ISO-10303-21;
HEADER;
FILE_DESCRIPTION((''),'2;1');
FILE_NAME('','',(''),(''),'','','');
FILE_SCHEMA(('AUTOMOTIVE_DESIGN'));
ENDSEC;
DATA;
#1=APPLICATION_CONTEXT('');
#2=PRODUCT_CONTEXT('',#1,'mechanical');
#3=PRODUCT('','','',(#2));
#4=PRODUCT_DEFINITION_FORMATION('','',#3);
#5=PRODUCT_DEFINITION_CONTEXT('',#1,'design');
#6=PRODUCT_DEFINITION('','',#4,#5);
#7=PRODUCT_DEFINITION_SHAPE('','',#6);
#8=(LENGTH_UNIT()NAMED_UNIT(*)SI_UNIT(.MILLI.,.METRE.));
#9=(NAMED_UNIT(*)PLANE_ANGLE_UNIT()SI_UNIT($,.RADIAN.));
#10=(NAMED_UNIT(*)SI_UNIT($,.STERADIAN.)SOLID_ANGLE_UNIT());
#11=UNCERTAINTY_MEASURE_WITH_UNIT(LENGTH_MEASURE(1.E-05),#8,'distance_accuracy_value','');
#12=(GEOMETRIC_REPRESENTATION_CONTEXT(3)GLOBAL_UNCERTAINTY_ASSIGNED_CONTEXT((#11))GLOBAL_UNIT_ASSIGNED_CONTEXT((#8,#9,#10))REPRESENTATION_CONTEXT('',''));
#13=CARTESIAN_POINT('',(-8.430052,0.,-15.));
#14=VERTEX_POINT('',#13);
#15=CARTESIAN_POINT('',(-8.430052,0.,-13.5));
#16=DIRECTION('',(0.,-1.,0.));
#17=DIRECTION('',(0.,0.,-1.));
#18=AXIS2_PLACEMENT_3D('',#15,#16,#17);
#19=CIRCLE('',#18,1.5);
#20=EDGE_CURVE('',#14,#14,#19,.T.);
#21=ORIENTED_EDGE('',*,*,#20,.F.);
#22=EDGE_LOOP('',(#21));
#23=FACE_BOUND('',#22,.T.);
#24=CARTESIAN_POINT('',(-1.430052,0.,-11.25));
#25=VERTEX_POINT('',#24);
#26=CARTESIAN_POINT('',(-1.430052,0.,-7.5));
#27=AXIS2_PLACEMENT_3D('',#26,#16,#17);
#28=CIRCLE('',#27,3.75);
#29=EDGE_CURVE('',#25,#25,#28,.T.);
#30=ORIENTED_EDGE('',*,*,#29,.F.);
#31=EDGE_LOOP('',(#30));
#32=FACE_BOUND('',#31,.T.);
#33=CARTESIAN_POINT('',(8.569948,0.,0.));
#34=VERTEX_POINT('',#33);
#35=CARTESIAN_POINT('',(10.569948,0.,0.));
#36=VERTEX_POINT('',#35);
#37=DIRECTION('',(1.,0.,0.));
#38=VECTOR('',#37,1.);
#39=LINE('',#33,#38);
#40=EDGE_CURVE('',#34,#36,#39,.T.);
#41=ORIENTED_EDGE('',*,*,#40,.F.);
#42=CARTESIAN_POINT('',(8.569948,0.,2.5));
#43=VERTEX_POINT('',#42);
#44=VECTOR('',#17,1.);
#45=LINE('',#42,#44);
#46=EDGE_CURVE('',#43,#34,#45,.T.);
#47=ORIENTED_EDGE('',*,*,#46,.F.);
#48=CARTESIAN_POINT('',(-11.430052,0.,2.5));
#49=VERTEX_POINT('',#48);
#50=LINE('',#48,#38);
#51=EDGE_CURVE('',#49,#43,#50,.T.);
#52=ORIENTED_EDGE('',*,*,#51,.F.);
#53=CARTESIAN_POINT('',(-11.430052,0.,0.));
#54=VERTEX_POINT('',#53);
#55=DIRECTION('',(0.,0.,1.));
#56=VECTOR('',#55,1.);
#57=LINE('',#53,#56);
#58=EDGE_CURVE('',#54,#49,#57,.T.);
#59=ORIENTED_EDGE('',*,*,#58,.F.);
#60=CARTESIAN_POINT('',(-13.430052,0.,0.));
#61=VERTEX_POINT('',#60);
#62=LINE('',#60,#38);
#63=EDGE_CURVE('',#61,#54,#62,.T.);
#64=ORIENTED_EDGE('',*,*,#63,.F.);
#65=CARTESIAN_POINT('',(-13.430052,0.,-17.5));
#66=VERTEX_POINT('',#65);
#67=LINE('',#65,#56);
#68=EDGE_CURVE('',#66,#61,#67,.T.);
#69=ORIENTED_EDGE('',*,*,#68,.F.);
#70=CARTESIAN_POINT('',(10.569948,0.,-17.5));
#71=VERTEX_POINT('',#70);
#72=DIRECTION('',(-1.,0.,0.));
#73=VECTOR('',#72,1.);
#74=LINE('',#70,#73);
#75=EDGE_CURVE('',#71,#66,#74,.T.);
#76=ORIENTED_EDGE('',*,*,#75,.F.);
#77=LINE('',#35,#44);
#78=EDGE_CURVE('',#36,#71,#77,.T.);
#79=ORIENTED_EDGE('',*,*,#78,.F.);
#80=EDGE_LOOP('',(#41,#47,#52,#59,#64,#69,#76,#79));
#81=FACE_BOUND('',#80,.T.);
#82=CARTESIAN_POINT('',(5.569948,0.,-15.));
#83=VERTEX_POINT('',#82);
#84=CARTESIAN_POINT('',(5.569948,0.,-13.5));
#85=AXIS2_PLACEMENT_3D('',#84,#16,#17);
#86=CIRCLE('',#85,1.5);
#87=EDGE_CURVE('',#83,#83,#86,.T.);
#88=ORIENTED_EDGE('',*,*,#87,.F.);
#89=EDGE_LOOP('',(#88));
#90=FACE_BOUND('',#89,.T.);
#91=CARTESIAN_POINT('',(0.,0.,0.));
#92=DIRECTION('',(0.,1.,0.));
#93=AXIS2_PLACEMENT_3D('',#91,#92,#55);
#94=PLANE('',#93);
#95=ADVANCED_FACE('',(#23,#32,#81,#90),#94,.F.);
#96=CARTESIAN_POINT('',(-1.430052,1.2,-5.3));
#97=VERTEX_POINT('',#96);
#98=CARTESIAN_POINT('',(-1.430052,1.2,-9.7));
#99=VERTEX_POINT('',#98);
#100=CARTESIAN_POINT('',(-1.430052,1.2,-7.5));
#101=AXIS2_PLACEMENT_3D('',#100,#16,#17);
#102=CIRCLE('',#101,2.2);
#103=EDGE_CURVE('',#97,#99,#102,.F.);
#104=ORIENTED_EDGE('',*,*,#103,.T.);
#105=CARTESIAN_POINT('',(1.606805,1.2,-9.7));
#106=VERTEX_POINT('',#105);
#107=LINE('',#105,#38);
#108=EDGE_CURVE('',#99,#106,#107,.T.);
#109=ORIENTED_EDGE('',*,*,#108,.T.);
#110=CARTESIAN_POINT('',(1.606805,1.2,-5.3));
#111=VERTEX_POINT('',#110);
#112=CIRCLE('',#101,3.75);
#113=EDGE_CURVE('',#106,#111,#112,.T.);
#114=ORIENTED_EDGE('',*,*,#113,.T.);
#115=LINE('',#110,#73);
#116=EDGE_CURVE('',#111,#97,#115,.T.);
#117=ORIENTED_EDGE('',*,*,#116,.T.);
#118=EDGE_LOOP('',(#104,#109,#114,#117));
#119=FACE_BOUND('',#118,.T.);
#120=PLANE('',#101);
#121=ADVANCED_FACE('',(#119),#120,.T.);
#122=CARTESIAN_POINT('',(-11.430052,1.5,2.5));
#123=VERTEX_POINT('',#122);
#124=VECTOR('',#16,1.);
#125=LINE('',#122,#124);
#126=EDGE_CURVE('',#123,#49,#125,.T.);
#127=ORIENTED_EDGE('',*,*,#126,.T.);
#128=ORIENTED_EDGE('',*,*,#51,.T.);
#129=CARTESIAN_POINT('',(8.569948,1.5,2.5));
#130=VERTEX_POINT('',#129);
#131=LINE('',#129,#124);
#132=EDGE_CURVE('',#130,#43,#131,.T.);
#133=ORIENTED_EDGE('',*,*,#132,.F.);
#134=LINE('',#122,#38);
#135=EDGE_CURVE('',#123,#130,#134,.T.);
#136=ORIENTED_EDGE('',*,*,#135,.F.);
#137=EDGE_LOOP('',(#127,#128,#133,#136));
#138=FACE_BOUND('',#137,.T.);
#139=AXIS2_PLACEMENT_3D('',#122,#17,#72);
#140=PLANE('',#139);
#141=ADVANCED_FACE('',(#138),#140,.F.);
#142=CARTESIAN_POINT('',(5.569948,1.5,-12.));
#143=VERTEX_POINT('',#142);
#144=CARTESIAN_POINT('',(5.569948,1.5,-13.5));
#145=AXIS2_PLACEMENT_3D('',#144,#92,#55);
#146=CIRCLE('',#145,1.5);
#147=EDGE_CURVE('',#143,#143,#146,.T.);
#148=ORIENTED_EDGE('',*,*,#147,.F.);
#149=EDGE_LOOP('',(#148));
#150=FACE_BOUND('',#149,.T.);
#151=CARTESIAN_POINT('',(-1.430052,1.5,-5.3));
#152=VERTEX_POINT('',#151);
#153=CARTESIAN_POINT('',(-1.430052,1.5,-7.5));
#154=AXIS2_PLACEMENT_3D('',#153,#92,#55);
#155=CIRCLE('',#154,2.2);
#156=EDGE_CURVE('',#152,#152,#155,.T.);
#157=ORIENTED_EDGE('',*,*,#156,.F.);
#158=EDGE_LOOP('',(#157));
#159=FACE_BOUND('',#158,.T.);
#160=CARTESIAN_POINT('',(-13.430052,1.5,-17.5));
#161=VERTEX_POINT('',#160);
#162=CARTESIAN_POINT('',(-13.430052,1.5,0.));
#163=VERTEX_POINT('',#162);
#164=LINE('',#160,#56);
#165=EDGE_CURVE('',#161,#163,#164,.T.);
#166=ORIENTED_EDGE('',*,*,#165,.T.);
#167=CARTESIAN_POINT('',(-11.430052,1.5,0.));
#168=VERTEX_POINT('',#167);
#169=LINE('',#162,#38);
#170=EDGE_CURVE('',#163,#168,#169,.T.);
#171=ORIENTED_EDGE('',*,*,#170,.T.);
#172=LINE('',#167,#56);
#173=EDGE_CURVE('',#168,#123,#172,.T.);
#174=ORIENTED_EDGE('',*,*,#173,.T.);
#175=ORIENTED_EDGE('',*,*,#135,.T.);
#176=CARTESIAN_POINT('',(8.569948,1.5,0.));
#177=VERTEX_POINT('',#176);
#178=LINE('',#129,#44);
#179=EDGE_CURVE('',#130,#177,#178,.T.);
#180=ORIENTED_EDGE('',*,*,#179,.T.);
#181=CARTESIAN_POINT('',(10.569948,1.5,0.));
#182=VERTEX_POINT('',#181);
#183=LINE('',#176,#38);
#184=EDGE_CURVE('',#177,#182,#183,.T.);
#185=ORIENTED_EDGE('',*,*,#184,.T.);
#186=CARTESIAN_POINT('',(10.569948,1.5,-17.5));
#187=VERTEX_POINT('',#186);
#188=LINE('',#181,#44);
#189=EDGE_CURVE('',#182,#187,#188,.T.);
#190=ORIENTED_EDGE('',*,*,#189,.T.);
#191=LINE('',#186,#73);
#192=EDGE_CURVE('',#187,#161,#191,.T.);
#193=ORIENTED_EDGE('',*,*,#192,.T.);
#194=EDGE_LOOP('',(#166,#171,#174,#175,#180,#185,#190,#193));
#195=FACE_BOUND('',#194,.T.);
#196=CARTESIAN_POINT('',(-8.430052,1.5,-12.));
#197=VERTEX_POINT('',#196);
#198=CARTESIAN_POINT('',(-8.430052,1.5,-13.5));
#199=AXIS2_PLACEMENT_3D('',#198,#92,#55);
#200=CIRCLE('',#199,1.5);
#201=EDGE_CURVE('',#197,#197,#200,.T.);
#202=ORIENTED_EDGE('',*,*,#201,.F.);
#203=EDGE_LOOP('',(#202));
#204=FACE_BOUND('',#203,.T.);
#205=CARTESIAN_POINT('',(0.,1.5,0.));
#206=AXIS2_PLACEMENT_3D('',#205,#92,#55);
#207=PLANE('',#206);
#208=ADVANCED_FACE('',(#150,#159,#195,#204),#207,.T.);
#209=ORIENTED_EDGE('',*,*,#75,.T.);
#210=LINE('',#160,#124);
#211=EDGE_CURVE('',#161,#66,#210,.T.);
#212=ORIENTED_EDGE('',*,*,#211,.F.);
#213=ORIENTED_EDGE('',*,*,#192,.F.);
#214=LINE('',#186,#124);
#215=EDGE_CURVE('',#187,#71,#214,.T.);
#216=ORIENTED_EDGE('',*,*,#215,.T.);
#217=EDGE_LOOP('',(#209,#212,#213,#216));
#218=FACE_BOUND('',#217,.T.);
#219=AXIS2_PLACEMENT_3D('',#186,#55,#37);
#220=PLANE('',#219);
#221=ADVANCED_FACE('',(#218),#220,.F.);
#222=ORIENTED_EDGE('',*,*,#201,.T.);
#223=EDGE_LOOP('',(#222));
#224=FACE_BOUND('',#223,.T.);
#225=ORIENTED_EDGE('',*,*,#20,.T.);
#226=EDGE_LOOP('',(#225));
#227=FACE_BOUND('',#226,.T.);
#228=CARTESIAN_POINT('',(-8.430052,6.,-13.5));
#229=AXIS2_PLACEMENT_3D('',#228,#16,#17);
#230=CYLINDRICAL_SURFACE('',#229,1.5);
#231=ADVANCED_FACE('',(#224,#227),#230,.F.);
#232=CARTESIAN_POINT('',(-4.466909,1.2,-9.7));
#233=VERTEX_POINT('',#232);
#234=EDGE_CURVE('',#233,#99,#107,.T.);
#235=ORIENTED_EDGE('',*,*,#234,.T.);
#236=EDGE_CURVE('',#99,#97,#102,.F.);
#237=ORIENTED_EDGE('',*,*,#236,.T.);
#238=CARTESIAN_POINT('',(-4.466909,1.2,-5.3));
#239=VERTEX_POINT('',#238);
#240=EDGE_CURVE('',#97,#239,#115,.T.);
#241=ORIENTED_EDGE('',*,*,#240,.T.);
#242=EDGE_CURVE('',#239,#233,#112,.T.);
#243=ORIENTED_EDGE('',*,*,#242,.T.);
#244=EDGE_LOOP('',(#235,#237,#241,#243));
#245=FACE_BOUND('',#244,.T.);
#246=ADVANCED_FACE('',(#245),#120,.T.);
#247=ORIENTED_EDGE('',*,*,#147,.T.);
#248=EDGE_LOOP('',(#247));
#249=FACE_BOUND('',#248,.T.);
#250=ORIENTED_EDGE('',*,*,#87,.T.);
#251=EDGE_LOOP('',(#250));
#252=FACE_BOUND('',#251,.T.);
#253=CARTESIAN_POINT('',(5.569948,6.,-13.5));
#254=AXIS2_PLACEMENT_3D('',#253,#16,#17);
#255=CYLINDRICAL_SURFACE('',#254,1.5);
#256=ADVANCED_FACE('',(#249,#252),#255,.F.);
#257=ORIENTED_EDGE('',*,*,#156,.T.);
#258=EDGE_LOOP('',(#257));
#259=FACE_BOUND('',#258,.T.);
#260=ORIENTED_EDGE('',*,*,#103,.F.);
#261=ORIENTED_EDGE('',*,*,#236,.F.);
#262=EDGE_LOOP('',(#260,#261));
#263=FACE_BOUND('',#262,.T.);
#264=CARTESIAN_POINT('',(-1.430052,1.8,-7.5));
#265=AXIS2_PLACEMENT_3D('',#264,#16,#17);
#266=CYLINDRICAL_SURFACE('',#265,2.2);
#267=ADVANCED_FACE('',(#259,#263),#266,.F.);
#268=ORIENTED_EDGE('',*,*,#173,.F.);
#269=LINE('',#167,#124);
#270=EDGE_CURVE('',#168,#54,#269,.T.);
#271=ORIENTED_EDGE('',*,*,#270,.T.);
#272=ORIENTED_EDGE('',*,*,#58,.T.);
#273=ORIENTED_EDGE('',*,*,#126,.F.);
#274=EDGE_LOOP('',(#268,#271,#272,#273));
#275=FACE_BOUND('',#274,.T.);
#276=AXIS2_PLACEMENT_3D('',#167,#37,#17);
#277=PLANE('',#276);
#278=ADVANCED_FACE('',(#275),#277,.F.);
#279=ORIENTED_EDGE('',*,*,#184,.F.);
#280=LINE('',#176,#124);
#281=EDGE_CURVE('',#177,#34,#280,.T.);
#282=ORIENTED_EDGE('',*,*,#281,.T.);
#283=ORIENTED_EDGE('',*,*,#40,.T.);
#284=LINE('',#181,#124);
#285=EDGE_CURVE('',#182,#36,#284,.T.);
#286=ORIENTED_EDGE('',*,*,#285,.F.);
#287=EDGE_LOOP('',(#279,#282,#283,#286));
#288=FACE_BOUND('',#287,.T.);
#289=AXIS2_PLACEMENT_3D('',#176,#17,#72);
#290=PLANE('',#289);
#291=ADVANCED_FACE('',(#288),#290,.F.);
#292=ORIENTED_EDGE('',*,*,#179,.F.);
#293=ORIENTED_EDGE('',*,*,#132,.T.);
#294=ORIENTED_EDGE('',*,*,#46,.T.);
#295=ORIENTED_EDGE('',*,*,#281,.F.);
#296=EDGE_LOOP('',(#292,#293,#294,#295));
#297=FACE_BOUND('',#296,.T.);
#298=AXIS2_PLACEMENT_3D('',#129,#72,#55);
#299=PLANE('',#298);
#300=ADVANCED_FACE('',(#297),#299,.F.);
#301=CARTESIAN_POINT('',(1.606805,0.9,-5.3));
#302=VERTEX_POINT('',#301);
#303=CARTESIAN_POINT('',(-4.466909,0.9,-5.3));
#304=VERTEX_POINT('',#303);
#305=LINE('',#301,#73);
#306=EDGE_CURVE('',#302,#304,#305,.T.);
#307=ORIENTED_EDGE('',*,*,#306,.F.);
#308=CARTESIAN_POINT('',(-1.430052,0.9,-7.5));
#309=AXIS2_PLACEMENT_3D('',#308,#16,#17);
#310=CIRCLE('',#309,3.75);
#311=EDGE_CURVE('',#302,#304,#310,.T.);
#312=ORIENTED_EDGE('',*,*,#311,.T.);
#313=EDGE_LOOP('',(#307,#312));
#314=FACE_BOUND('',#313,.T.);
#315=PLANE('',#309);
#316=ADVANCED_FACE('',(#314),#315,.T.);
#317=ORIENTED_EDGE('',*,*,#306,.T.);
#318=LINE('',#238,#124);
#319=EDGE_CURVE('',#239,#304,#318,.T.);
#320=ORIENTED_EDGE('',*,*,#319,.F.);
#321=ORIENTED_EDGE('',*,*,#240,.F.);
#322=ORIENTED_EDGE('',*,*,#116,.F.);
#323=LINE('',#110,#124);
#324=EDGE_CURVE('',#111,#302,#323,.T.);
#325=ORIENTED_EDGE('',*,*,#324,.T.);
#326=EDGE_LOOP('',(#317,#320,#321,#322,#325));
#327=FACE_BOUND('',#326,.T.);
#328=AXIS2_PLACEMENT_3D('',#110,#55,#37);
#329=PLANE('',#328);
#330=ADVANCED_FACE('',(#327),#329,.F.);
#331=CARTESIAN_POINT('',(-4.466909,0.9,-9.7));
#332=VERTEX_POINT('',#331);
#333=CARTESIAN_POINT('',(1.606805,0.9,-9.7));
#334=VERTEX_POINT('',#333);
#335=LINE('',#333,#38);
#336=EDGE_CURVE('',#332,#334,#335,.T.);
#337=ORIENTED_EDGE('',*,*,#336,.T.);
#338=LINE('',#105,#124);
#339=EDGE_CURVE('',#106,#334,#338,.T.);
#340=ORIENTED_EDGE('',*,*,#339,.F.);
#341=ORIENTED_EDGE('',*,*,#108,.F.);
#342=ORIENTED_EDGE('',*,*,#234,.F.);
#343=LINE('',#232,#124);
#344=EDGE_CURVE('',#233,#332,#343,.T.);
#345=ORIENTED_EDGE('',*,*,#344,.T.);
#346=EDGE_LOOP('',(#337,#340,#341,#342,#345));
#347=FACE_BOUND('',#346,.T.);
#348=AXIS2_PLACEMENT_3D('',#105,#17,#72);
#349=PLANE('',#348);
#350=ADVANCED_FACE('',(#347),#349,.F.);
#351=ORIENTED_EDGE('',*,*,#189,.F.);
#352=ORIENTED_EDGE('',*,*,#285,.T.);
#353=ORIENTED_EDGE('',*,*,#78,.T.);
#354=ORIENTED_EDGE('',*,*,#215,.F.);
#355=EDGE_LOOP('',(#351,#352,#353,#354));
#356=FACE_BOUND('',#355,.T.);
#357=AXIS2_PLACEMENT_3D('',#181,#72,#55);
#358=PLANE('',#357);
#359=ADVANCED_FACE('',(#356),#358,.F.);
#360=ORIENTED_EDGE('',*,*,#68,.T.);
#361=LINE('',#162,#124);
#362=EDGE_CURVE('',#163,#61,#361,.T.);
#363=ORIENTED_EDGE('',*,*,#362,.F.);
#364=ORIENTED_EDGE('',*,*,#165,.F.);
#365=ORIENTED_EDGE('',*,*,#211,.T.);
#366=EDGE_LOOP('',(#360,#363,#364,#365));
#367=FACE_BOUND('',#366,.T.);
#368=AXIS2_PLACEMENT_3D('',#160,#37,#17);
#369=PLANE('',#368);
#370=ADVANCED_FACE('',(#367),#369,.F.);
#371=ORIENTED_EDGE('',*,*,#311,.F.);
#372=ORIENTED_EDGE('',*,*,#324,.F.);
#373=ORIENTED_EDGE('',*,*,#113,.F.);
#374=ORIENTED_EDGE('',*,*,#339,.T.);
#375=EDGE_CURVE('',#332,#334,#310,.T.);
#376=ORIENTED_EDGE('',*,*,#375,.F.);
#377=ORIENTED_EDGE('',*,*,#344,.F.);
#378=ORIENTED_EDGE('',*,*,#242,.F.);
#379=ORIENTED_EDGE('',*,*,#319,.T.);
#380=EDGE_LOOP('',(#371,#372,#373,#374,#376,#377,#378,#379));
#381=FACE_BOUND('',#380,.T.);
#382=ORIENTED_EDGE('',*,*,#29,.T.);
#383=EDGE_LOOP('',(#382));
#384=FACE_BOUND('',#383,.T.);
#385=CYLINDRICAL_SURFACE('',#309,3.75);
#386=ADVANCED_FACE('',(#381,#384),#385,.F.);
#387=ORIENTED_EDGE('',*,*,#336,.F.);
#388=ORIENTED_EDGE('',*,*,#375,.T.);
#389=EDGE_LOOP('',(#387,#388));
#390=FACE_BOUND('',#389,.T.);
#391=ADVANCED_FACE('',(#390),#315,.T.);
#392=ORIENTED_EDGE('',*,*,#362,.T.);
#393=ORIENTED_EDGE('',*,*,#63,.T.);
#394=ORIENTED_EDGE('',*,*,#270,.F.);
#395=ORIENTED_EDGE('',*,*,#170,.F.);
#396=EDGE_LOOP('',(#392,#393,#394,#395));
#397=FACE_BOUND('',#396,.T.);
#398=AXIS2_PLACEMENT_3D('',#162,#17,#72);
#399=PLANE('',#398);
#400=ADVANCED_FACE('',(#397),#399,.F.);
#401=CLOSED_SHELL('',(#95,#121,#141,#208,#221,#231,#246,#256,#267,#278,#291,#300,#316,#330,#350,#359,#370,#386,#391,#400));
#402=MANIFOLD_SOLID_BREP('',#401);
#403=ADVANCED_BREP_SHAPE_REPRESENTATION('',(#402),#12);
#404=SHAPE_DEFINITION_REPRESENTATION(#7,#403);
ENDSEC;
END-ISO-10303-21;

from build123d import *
from build123d.topology import SkipClean

# Parameters (mm, degrees)
BOSS_EXTRUDE1_DEPTH = 1.5
SKETCH3_R           = 3.75
CUT_EXTRUDE1_DEPTH  = 0.9
SKETCH4_R           = 2.2
CUT_EXTRUDE2_DEPTH  = 0.9
SKETCH5_R           = 1.5
CUT_EXTRUDE3_DEPTH  = 6
CUT_EXTRUDE4_DEPTH  = 0.3


with BuildPart() as part:
    # Sketch1 → Boss-Extrude1 (new body)
    with BuildSketch(Plane(origin=(0, 0, 0), x_dir=(1, 0, 0), z_dir=(0, 1, 0))):
        Polygon((-13.430051813, 17.5), (-13.430051813, 0), (-11.430051813, 0), (-11.430051813, -2.5), (8.569948187, -2.5), (8.569948187, 0), (10.569948187, 0), (10.569948187, 17.5), align=None)
    extrude(amount=BOSS_EXTRUDE1_DEPTH)

    # Sketch3 → Cut-Extrude1 (cut)
    with BuildSketch(Plane.XZ):
        with Locations(Location((-1.430051813, -7.5, 0), (0, 0, 270))):
            Circle(SKETCH3_R)
    extrude(amount=-CUT_EXTRUDE1_DEPTH, mode=Mode.SUBTRACT)

    # Sketch4 → Cut-Extrude2 (cut)
    with BuildSketch(Plane.XZ.offset(-0.9)):
        with Locations(Location((-1.430051813, -7.5, 0), (0, 0, 270))):
            Circle(SKETCH4_R)
    extrude(amount=-CUT_EXTRUDE2_DEPTH, mode=Mode.SUBTRACT)

    # Sketch5 → Cut-Extrude3 (cut)
    with BuildSketch(Plane.XZ):
        with Locations(Location((-8.430051813, -13.5, 0), (0, 0, 270))):
            Circle(SKETCH5_R)
        with Locations(Location((5.569948187, -13.5, 0), (0, 0, 270))):
            Circle(SKETCH5_R)
    extrude(amount=-CUT_EXTRUDE3_DEPTH, mode=Mode.SUBTRACT)

    # Sketch6 → Cut-Extrude4 (cut)
    with SkipClean():  # the faces are left unmerged after this step: merging them gives an invalid solid
        with BuildSketch(Plane.XZ.offset(-0.9)):
            with BuildLine():
                Line((1.606805114, -9.7), (-4.466908741, -9.7))
                ThreePointArc((-4.466908741, -9.7), (-5.180051813, -7.5), (-4.466908741, -5.3))
                Line((-4.466908741, -5.3), (1.606805114, -5.3))
                ThreePointArc((1.606805114, -5.3), (2.319948187, -7.5), (1.606805114, -9.7))
            make_face()
        extrude(amount=-CUT_EXTRUDE4_DEPTH, mode=Mode.SUBTRACT)


solid = part.part
